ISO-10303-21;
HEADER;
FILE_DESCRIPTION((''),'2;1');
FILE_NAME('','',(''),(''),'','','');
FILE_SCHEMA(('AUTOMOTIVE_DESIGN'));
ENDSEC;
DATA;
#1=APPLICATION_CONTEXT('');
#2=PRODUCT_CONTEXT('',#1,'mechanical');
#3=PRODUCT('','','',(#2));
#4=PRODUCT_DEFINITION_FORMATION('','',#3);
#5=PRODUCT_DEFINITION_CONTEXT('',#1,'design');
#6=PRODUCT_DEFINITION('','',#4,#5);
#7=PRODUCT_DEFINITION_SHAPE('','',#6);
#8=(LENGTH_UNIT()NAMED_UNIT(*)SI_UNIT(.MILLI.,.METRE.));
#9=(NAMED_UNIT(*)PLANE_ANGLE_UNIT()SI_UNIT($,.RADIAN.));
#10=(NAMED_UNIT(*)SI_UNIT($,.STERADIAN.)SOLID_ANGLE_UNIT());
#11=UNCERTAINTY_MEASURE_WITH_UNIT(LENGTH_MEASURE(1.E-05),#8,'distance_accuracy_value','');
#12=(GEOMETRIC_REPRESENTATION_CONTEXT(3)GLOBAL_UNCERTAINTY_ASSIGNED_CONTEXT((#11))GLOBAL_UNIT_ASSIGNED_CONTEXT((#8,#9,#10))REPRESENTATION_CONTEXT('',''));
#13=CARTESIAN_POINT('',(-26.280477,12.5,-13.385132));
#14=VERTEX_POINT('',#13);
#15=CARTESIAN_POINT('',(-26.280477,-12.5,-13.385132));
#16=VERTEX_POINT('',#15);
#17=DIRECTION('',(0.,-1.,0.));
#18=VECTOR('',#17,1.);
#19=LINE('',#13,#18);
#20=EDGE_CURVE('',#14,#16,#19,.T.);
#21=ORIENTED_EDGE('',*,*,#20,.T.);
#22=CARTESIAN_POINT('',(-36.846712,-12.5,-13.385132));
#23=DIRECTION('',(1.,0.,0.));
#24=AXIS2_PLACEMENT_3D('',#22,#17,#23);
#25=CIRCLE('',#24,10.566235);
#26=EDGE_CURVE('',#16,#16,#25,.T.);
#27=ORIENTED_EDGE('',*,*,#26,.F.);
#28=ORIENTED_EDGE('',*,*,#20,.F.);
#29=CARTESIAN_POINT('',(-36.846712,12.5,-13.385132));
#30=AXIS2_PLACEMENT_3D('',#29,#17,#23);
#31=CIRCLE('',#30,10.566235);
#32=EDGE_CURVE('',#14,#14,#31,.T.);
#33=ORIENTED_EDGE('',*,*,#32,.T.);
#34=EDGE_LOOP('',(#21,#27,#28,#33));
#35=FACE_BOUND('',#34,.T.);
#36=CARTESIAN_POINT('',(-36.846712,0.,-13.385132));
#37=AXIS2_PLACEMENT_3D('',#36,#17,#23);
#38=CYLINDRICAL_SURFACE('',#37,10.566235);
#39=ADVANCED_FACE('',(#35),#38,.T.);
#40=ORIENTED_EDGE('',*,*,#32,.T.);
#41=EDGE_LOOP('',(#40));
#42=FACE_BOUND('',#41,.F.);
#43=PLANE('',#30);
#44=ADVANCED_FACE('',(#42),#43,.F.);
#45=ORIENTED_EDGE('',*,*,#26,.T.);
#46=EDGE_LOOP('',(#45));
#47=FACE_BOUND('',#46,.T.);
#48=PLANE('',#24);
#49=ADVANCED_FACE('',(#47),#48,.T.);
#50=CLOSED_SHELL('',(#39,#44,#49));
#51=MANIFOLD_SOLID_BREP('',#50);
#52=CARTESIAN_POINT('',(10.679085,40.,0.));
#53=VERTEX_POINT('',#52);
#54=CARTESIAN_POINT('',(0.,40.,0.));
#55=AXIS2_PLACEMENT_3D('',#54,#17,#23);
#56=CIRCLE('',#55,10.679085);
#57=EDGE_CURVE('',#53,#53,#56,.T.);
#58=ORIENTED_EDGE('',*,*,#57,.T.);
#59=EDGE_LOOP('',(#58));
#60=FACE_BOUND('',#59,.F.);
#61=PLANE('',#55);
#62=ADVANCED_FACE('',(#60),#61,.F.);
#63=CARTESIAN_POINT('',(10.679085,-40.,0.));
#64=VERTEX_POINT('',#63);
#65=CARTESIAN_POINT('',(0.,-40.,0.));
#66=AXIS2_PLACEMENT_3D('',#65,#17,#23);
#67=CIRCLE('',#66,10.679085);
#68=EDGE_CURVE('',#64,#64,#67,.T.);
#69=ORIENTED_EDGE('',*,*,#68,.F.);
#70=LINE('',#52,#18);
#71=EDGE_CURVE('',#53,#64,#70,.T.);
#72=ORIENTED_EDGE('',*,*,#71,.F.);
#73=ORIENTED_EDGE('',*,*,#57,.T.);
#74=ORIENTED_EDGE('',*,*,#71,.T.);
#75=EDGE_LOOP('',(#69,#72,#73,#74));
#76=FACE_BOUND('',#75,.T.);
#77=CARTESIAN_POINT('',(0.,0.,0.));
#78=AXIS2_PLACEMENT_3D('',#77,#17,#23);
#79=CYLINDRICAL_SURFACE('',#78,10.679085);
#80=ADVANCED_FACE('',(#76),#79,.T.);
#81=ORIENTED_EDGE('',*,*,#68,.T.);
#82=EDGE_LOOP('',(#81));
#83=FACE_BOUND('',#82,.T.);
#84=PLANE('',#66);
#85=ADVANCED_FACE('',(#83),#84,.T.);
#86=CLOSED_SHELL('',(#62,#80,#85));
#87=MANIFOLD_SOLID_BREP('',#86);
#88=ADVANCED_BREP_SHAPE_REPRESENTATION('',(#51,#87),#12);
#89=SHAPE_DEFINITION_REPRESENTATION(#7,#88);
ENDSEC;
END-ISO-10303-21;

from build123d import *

# Parameters (mm, degrees)
F0_R     = 10.679085
F1_DEPTH = 40
F2_R     = 10.566235
F3_DEPTH = 12.5


with BuildPart() as f1:
    # F0 (on Front) → F1 (new body, symmetric)
    with BuildSketch(Plane.XZ):
        Circle(F0_R)
    extrude(amount=F1_DEPTH, both=True)


with BuildPart() as f3:
    # F2 (on Front) → F3 (new body, symmetric)
    with BuildSketch(Plane.XZ):
        with Locations((-36.846712, -13.385132)):
            Circle(F2_R)
    extrude(amount=F3_DEPTH, both=True)


solid = Compound([f1.part, f3.part])
